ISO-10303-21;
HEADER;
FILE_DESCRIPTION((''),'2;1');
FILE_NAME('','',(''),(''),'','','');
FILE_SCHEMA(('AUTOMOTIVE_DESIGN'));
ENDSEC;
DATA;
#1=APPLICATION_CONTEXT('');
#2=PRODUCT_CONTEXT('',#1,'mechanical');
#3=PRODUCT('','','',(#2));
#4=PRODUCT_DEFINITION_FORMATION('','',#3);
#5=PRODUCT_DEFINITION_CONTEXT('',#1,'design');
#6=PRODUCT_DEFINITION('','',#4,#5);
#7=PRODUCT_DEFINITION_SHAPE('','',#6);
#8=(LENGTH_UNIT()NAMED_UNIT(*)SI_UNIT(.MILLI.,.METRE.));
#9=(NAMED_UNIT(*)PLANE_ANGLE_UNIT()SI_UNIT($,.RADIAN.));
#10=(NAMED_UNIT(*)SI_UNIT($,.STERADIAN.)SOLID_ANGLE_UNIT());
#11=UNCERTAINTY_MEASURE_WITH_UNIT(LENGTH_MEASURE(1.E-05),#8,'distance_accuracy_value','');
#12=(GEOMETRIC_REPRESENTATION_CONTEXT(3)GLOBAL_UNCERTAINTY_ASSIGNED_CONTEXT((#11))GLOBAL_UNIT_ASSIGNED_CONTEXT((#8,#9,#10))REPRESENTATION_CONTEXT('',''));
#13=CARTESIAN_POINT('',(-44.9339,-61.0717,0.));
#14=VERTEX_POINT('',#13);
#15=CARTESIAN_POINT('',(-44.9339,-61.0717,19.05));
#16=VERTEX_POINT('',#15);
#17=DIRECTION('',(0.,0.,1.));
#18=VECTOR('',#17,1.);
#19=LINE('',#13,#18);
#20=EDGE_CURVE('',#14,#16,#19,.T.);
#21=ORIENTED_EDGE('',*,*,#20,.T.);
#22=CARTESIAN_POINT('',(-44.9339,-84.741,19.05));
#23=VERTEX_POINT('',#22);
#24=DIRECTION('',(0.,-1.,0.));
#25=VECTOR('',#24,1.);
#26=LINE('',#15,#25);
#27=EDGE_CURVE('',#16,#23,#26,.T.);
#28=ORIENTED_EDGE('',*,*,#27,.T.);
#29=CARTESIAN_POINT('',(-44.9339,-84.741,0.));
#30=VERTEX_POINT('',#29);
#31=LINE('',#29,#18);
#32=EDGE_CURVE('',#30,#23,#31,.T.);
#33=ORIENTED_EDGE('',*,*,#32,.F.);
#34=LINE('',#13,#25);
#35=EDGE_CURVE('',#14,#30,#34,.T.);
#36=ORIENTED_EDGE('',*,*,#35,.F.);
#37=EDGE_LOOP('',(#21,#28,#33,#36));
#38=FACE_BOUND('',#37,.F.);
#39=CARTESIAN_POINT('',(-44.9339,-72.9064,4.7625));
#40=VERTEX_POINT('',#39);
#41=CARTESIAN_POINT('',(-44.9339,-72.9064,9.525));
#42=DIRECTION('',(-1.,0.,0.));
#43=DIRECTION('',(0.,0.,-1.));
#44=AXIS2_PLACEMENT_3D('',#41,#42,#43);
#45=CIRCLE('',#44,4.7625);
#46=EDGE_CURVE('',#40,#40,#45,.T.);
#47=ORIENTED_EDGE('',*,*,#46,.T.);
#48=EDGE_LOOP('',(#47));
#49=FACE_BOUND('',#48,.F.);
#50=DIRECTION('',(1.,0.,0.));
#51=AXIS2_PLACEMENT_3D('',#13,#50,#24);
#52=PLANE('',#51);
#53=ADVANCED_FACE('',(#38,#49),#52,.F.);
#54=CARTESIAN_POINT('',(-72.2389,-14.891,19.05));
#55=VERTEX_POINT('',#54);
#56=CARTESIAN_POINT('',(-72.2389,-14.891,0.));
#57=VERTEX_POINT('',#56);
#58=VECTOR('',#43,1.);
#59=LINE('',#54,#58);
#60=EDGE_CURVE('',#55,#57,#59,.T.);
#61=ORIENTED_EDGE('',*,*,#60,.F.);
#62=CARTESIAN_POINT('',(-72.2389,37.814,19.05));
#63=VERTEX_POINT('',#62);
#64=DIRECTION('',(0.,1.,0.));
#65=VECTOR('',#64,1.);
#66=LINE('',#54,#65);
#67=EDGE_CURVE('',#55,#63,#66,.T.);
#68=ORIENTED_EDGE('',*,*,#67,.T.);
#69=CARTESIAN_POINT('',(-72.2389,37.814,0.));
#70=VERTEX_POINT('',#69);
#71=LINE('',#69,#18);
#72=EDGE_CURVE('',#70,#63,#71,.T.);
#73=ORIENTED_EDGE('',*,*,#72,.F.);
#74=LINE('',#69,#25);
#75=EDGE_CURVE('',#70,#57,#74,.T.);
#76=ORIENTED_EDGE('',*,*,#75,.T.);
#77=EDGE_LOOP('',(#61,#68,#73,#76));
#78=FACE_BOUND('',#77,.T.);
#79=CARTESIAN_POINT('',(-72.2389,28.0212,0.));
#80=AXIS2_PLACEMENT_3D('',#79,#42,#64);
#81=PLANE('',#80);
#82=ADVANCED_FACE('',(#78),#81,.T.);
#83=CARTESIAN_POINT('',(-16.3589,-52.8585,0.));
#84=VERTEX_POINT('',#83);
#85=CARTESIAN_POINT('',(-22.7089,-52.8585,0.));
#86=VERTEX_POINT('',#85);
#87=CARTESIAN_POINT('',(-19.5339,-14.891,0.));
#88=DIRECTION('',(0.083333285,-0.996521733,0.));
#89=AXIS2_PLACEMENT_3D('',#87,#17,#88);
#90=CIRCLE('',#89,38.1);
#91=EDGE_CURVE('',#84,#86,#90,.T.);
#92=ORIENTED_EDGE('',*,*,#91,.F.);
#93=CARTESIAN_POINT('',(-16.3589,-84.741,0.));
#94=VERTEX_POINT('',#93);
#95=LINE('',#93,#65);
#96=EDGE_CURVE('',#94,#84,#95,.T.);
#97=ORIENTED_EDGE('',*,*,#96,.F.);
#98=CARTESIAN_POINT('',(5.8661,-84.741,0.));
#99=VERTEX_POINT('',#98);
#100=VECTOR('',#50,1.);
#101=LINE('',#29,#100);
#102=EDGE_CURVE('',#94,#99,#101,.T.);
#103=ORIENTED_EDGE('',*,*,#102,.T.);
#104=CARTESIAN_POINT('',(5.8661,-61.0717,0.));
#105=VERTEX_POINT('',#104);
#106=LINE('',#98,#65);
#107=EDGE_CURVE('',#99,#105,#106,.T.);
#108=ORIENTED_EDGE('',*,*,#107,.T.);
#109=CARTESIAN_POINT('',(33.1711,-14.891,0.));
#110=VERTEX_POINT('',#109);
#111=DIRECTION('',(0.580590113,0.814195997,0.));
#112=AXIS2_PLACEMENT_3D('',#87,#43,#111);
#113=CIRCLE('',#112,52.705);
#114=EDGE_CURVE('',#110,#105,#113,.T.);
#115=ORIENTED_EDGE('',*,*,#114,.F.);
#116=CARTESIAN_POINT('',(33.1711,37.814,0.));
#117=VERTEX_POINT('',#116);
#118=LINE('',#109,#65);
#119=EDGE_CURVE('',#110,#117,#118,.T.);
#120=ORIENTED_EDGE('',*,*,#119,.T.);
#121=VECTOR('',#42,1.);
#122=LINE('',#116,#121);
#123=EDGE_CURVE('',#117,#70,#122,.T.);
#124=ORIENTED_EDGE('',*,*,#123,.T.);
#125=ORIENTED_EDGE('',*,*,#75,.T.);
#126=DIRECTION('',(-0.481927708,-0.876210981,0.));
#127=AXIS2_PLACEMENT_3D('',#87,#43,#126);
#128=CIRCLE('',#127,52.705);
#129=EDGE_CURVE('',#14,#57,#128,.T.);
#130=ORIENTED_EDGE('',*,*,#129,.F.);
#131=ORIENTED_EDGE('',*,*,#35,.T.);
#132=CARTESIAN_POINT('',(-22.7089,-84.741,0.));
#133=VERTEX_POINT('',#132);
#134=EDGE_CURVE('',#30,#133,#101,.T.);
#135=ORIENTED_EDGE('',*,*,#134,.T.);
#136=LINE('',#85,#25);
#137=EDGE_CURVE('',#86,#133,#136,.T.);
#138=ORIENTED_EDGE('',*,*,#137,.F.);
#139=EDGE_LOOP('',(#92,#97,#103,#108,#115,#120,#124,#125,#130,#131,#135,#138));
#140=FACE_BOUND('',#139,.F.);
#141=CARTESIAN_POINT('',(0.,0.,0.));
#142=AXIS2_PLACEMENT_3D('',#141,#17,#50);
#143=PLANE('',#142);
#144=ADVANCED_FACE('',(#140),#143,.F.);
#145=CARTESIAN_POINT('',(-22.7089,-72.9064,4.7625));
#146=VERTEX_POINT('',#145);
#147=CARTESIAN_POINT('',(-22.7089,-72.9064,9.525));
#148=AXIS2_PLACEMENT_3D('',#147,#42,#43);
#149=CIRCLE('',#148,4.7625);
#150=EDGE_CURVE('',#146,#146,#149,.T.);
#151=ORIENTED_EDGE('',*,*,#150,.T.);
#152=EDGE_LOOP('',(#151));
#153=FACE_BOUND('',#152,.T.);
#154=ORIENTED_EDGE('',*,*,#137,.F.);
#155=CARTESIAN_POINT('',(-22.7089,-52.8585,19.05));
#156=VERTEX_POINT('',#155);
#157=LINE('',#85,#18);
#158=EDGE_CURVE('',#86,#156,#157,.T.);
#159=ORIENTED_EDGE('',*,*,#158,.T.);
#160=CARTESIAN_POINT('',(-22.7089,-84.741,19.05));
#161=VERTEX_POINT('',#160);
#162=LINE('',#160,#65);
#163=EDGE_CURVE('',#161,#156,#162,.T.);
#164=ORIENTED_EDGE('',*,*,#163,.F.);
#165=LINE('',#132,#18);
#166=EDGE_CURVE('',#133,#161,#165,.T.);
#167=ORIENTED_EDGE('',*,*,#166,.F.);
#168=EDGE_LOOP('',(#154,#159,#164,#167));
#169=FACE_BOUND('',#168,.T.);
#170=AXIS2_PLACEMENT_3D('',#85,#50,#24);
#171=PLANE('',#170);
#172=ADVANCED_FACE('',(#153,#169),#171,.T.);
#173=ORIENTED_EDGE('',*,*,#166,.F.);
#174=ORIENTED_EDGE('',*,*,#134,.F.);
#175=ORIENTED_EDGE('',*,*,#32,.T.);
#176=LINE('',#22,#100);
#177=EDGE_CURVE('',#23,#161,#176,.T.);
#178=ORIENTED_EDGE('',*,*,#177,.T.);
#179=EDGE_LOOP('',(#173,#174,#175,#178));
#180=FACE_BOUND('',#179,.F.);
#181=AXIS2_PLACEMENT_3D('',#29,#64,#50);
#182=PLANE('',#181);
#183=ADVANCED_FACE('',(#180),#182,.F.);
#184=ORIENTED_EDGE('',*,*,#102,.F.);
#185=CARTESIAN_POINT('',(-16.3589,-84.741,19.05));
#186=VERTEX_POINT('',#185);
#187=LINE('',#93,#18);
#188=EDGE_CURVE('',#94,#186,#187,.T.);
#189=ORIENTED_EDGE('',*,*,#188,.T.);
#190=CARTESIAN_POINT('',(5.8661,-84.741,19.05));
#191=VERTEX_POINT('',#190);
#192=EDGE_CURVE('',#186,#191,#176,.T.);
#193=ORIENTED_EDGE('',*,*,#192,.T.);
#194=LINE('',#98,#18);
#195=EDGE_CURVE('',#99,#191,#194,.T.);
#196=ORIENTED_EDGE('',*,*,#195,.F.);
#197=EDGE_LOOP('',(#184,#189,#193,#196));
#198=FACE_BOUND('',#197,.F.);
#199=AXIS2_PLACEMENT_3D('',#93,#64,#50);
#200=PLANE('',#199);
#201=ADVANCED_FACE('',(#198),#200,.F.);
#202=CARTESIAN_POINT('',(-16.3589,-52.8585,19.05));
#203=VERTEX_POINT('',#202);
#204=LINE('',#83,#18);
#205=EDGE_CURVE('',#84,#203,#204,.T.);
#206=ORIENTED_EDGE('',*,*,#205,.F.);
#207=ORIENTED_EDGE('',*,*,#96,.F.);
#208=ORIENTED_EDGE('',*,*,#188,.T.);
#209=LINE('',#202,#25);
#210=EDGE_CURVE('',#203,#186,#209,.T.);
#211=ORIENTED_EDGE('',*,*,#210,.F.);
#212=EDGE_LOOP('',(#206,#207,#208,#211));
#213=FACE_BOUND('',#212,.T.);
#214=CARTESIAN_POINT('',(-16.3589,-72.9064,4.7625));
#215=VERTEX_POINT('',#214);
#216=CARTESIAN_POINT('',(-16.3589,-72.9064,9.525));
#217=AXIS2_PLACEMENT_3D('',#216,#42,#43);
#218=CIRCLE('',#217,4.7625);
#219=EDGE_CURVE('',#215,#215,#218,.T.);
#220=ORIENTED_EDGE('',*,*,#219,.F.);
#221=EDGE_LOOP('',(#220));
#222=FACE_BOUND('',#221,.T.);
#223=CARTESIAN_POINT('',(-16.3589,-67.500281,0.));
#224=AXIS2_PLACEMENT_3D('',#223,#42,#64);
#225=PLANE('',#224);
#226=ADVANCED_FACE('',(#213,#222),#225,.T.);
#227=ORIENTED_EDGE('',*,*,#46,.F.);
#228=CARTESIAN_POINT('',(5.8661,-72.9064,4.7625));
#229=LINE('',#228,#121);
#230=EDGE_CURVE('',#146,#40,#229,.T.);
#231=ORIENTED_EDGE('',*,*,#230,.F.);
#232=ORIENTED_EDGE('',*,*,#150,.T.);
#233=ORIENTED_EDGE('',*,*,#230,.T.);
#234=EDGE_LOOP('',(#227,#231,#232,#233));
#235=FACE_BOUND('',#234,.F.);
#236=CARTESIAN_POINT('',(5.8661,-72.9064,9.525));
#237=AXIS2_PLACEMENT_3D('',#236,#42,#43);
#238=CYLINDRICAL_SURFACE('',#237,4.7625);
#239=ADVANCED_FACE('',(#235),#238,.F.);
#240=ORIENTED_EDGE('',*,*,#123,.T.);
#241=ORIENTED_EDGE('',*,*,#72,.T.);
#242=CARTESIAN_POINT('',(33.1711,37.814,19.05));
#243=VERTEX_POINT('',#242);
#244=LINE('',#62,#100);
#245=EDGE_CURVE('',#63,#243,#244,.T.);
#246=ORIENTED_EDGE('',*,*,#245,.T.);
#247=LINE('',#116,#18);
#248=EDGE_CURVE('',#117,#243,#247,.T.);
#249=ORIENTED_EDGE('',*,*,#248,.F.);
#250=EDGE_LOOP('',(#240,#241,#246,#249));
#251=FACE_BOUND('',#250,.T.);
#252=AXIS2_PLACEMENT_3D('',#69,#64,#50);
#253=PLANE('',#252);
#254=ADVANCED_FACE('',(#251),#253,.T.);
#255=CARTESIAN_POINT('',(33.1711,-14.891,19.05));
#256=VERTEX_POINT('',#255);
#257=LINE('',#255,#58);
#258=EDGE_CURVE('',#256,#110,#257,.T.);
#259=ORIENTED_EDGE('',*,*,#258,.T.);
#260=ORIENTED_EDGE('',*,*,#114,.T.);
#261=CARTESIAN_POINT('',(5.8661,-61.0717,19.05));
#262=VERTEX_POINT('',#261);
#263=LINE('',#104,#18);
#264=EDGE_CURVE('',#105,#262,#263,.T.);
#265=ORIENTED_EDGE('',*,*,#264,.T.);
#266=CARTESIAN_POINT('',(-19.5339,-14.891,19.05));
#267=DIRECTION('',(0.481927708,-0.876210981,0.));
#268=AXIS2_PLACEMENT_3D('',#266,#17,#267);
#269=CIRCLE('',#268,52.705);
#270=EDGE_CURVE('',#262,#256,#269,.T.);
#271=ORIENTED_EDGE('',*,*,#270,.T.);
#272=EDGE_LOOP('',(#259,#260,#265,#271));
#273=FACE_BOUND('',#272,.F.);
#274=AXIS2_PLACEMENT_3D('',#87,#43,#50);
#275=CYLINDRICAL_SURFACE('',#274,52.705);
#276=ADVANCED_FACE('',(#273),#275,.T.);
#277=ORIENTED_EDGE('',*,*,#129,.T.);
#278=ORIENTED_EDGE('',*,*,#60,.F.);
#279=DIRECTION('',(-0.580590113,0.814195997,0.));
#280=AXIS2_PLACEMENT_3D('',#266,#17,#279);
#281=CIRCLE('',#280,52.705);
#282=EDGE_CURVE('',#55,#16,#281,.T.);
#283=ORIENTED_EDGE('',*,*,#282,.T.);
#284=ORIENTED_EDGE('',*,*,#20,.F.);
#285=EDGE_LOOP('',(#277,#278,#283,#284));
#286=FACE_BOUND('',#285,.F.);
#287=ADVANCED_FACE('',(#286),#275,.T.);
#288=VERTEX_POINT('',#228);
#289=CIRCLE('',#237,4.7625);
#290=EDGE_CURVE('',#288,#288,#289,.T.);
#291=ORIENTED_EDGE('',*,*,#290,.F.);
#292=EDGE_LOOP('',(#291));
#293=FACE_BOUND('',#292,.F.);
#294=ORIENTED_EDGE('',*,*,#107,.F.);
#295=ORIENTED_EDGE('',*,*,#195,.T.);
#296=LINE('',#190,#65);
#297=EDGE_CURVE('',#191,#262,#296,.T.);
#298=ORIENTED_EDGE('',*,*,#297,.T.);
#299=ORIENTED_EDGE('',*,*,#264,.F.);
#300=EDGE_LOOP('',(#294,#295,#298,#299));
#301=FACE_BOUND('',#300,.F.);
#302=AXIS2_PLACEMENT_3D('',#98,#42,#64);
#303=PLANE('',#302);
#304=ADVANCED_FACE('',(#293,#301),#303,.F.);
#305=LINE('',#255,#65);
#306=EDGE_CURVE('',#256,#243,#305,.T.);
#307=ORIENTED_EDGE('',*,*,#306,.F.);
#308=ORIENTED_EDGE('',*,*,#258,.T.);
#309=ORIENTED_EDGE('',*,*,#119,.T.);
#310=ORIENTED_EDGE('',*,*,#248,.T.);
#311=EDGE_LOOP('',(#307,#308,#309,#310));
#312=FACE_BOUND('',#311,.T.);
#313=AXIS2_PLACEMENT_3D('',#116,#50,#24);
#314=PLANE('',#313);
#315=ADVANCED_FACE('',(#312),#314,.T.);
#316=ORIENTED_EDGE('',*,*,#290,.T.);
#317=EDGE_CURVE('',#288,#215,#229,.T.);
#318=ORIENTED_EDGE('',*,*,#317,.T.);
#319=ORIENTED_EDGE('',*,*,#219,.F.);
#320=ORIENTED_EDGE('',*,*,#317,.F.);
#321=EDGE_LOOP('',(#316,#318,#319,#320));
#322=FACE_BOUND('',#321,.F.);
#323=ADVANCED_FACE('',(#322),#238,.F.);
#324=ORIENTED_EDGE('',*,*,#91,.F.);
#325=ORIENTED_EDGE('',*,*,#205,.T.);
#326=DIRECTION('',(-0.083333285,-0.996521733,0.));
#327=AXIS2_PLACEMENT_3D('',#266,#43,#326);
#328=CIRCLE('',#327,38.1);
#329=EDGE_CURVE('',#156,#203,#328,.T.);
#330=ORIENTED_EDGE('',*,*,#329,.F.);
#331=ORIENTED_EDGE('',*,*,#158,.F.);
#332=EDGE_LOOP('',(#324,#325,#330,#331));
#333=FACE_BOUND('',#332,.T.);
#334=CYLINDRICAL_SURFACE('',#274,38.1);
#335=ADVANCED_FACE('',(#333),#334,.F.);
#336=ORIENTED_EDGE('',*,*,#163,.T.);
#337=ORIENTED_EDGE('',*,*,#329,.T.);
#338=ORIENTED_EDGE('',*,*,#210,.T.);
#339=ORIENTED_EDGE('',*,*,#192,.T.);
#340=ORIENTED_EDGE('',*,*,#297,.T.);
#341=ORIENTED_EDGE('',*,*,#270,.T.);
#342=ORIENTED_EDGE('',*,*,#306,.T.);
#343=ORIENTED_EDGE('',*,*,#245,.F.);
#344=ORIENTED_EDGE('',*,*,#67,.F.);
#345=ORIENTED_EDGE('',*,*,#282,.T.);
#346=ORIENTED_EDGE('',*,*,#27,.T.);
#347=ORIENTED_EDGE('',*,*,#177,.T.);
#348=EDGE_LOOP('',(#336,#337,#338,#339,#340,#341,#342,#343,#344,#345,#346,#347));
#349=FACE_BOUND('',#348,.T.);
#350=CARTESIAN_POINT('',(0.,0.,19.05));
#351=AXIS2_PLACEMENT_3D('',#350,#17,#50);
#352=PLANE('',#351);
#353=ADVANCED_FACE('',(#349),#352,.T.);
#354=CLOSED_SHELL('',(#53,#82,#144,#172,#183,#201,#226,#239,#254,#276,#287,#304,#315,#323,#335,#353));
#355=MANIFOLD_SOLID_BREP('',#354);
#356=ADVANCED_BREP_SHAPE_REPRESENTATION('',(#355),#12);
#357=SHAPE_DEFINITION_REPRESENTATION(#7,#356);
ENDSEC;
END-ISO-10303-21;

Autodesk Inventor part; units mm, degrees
ref_plane "YZ Plane" through (0, 0, 0) normal (1, 0, 0) x (0, 1, 0)
ref_plane "XZ Plane" through (0, 0, 0) normal (0, 1, 0) x (-1, 0, 0)
ref_plane "XY Plane" through (0, 0, 0) normal (0, 0, 1) x (1, 0, 0)
sketch "Sketch1" plane through (0, 0, 0) normal (0, 0, 1) x (1, 0, 0)
  line L0 (-72.2389, 37.814) -> (33.1711, 37.814)
  line L1 (33.1711, 37.814) -> (33.1711, 28.0212)
  line L2 (33.1711, 28.0212) -> (-72.2389, 28.0212)
  line L3 (-72.2389, 28.0212) -> (-72.2389, 37.814)
  circle A0 centre (-19.5339, -14.891) radius 38.1
  circle A1 centre (-19.5339, -14.891) radius 52.705
  line L4 (-72.2389, -14.891) -> (-72.2389, 28.0212)
  line L5 (33.1711, 28.0212) -> (33.1711, -14.891)
  line L6 (-44.9339, -61.0717) -> (-44.9339, -84.741)
  line L7 (-44.9339, -84.741) -> (5.8661, -84.741)
  line L8 (5.8661, -84.741) -> (5.8661, -61.0717)
  line L9 (-22.7089, -52.8585) -> (-22.7089, -84.741)
  line L10 (-16.3589, -84.741) -> (-16.3589, -52.8585)
  point P0 (0, 0)
  dimension "d0" = 105.41
  dimension "d1" = 105.41
  dimension "d2" = 76.2
  dimension "d3" = 52.705
  dimension "d4" = 25.4
  dimension "d5" = 25.4
  dimension "d6" = 69.85
  dimension "d7" = 22.225
  dimension "d8" = 22.225
extrude "Extrusion1" add sketch "Sketch1" along normal blind 19.05 contours L0 A1 L2 L3 | L0 L1 L2 A1 | A1 L2 | A1 L10 A0 L9 L2 | A1 L9 L7 L6 | L8 L7 L10 A1
sketch "Sketch2" plane through (0, 0, 19.05) normal (0, 0, 1) x (1, 0, 0)
  line L0 (-50.1339, 28.0212) -> (-72.2389, 28.0212) projected
  arc A0 (-50.1339, 28.0212) -> (-44.9339, -61.0717) centre (-19.5339, -14.891) ccw projected
  arc A1 (5.8661, -61.0717) -> (11.0661, 28.0212) centre (-19.5339, -14.891) ccw projected
  line L1 (33.1711, 28.0212) -> (11.0661, 28.0212) projected
  line L2 (33.1711, 37.814) -> (33.1711, 28.0212) projected
  line L3 (-72.2389, 28.0212) -> (-72.2389, -14.891)
  line L4 (33.1711, 28.0212) -> (33.1711, -14.891)
  point P0 (0, 0)
extrude "Extrusion2" add sketch "Sketch2" against normal blind 19.05
sketch "Sketch3" plane through (5.8661, -84.741, 0) normal (1, 0, 0) x (0, 0, -1)
  point P0 (0, 84.741)
  point P1 (-9.525, 11.8347)
hole "Hole1" at (5.8661, -72.9064, 9.525) direction (-1, 0, 0) diameter 9.525 end through all
properties part number "Router mount"
